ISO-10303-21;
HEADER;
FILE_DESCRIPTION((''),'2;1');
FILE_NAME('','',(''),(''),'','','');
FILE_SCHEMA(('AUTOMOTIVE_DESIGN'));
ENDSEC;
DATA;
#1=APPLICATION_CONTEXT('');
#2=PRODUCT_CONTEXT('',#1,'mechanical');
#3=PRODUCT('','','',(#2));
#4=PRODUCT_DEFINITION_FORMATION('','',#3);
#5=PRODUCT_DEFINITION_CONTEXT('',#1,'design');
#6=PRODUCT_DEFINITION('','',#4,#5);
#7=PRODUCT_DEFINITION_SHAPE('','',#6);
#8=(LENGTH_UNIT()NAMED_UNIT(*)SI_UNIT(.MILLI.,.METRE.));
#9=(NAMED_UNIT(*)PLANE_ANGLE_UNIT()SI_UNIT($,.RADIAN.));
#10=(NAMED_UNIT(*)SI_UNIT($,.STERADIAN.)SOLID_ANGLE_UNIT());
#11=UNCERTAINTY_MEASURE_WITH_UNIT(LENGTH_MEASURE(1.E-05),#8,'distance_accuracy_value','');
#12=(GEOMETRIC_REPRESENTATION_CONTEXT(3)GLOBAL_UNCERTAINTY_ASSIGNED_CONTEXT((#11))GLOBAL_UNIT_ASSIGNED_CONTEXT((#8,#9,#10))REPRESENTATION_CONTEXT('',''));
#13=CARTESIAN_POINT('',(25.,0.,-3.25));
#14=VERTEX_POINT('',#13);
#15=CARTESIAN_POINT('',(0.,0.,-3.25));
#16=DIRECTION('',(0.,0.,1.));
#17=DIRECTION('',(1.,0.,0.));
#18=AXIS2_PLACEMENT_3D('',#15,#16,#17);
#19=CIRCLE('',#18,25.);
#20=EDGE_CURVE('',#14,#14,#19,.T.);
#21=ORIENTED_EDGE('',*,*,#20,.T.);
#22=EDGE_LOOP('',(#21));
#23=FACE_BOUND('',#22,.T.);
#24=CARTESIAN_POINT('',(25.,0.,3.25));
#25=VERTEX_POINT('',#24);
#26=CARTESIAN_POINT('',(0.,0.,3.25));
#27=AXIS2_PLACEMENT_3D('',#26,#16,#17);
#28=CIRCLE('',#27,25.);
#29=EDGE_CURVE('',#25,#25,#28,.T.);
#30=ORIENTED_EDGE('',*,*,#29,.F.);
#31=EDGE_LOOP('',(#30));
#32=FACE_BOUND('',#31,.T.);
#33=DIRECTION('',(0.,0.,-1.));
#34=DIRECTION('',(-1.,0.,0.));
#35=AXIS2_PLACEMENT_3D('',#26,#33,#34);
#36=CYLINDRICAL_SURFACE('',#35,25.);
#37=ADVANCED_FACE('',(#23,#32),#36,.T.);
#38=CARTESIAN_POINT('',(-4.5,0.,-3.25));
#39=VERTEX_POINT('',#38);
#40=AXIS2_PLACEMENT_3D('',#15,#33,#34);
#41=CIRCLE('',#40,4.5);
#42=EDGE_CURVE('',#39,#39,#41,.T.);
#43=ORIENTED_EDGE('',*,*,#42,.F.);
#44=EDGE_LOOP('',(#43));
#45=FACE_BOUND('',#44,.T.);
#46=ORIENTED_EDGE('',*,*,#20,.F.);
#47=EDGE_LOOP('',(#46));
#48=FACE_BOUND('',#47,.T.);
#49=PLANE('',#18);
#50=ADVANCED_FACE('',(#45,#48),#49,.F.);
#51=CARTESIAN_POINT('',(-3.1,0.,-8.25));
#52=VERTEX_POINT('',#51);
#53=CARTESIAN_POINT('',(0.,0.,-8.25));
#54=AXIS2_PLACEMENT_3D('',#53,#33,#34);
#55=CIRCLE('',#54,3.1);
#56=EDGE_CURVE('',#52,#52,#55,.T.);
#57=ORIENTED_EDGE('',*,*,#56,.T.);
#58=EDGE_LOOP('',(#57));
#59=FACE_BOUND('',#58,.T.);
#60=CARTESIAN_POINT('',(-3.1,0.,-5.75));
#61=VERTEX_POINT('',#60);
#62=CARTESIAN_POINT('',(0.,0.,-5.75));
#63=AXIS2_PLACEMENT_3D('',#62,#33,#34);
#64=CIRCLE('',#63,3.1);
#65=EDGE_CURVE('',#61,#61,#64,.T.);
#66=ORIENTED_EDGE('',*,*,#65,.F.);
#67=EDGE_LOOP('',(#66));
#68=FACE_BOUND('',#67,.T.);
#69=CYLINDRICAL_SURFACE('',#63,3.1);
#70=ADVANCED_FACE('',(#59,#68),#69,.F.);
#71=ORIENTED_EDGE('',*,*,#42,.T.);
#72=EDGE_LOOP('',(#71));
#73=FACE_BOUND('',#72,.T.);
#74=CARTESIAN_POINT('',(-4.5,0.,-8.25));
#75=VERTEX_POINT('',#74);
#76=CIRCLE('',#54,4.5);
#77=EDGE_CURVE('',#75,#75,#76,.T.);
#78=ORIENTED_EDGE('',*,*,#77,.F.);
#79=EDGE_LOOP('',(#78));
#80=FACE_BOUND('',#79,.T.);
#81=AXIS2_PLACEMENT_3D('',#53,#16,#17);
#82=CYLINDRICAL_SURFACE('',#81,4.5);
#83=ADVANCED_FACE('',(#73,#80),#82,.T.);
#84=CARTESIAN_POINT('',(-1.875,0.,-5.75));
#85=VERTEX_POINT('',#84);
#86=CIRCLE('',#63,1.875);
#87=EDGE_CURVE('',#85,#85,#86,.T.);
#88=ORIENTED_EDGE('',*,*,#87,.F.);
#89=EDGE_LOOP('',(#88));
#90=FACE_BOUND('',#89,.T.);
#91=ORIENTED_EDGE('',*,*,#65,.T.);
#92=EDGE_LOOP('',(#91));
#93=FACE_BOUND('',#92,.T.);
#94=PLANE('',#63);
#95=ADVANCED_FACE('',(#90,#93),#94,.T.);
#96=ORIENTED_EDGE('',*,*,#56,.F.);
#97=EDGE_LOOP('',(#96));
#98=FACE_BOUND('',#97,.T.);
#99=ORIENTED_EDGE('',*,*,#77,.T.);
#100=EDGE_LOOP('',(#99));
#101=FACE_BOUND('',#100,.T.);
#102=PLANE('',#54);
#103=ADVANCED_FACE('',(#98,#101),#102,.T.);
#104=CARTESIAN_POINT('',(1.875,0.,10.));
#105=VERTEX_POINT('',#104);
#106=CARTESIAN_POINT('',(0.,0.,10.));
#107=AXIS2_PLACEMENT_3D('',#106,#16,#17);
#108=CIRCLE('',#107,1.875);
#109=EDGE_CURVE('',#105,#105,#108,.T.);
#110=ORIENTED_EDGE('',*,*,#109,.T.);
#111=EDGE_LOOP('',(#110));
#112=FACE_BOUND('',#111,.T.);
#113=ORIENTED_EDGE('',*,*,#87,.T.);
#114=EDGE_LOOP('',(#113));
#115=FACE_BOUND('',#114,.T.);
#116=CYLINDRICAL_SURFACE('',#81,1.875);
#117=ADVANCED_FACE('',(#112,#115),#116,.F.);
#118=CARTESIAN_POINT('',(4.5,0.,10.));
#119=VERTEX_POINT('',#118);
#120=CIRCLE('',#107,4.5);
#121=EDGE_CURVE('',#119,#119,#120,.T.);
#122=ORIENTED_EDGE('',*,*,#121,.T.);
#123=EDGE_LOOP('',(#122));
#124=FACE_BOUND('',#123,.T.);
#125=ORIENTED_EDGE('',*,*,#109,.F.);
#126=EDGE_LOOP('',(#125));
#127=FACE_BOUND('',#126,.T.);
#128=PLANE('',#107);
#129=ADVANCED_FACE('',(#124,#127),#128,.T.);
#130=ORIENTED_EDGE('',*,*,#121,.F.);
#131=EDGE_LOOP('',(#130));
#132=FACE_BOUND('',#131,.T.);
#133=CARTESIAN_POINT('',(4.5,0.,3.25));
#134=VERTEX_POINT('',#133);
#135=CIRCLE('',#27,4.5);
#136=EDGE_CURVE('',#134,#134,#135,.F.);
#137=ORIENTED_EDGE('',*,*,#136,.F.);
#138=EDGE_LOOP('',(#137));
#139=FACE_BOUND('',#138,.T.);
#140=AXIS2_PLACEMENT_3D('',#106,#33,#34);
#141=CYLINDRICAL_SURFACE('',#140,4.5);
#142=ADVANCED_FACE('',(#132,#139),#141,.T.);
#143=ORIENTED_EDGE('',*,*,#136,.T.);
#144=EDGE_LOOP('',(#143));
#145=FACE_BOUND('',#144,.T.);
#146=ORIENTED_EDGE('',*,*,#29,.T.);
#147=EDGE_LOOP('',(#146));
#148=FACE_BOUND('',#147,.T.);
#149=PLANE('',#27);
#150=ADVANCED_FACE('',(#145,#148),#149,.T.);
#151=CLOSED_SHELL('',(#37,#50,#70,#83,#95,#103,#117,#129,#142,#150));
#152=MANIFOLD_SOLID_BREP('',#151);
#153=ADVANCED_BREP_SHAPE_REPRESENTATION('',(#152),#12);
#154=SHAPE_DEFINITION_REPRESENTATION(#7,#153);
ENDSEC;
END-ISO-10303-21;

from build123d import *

# Parameters (mm, degrees)
SKETCH1_R               = 25
BOSS_EXTRUDE2_DEPTH     = 3.25
SKETCH2_R               = 4.5
BOSS_EXTRUDE3_DEPTH     = 10
SKETCH3_R               = 4.5
BOSS_EXTRUDE4_DEPTH     = 5
SKETCH4_R               = 3.1
CUT_EXTRUDE1_DEPTH      = 2.5
SKETCH6_R               = 1.875
CUT_EXTRUDE2_DEPTH      = 1
CUT_EXTRUDE2_DEPTH_BACK = 19.25


with BuildPart() as part:
    # Sketch1 → Boss-Extrude2 (new body, symmetric)
    with BuildSketch(Plane.XY):
        Circle(SKETCH1_R)
    extrude(amount=BOSS_EXTRUDE2_DEPTH, both=True)

    # Sketch2 → Boss-Extrude3 (add)
    with BuildSketch(Plane.XY):
        Circle(SKETCH2_R)
    extrude(amount=BOSS_EXTRUDE3_DEPTH)

    # Sketch3 → Boss-Extrude4 (add)
    with BuildSketch(Plane(origin=(0, 0, -3.25), x_dir=(-1, 0, 0), z_dir=(0, 0, -1))):
        Circle(SKETCH3_R)
    extrude(amount=BOSS_EXTRUDE4_DEPTH)

    # Sketch4 → Cut-Extrude1 (cut)
    with BuildSketch(Plane(origin=(0, 0, -8.25), x_dir=(-1, 0, 0), z_dir=(0, 0, -1))):
        Circle(SKETCH4_R)
    extrude(amount=-CUT_EXTRUDE1_DEPTH, mode=Mode.SUBTRACT)

    # Sketch6 → Cut-Extrude2 (cut, two sides)
    with BuildSketch(Plane.XY.offset(10)) as cut_extrude2_sk:
        Circle(SKETCH6_R)
    extrude(amount=CUT_EXTRUDE2_DEPTH, mode=Mode.SUBTRACT)
    extrude(cut_extrude2_sk.sketch, amount=-CUT_EXTRUDE2_DEPTH_BACK, mode=Mode.SUBTRACT)


solid = part.part
